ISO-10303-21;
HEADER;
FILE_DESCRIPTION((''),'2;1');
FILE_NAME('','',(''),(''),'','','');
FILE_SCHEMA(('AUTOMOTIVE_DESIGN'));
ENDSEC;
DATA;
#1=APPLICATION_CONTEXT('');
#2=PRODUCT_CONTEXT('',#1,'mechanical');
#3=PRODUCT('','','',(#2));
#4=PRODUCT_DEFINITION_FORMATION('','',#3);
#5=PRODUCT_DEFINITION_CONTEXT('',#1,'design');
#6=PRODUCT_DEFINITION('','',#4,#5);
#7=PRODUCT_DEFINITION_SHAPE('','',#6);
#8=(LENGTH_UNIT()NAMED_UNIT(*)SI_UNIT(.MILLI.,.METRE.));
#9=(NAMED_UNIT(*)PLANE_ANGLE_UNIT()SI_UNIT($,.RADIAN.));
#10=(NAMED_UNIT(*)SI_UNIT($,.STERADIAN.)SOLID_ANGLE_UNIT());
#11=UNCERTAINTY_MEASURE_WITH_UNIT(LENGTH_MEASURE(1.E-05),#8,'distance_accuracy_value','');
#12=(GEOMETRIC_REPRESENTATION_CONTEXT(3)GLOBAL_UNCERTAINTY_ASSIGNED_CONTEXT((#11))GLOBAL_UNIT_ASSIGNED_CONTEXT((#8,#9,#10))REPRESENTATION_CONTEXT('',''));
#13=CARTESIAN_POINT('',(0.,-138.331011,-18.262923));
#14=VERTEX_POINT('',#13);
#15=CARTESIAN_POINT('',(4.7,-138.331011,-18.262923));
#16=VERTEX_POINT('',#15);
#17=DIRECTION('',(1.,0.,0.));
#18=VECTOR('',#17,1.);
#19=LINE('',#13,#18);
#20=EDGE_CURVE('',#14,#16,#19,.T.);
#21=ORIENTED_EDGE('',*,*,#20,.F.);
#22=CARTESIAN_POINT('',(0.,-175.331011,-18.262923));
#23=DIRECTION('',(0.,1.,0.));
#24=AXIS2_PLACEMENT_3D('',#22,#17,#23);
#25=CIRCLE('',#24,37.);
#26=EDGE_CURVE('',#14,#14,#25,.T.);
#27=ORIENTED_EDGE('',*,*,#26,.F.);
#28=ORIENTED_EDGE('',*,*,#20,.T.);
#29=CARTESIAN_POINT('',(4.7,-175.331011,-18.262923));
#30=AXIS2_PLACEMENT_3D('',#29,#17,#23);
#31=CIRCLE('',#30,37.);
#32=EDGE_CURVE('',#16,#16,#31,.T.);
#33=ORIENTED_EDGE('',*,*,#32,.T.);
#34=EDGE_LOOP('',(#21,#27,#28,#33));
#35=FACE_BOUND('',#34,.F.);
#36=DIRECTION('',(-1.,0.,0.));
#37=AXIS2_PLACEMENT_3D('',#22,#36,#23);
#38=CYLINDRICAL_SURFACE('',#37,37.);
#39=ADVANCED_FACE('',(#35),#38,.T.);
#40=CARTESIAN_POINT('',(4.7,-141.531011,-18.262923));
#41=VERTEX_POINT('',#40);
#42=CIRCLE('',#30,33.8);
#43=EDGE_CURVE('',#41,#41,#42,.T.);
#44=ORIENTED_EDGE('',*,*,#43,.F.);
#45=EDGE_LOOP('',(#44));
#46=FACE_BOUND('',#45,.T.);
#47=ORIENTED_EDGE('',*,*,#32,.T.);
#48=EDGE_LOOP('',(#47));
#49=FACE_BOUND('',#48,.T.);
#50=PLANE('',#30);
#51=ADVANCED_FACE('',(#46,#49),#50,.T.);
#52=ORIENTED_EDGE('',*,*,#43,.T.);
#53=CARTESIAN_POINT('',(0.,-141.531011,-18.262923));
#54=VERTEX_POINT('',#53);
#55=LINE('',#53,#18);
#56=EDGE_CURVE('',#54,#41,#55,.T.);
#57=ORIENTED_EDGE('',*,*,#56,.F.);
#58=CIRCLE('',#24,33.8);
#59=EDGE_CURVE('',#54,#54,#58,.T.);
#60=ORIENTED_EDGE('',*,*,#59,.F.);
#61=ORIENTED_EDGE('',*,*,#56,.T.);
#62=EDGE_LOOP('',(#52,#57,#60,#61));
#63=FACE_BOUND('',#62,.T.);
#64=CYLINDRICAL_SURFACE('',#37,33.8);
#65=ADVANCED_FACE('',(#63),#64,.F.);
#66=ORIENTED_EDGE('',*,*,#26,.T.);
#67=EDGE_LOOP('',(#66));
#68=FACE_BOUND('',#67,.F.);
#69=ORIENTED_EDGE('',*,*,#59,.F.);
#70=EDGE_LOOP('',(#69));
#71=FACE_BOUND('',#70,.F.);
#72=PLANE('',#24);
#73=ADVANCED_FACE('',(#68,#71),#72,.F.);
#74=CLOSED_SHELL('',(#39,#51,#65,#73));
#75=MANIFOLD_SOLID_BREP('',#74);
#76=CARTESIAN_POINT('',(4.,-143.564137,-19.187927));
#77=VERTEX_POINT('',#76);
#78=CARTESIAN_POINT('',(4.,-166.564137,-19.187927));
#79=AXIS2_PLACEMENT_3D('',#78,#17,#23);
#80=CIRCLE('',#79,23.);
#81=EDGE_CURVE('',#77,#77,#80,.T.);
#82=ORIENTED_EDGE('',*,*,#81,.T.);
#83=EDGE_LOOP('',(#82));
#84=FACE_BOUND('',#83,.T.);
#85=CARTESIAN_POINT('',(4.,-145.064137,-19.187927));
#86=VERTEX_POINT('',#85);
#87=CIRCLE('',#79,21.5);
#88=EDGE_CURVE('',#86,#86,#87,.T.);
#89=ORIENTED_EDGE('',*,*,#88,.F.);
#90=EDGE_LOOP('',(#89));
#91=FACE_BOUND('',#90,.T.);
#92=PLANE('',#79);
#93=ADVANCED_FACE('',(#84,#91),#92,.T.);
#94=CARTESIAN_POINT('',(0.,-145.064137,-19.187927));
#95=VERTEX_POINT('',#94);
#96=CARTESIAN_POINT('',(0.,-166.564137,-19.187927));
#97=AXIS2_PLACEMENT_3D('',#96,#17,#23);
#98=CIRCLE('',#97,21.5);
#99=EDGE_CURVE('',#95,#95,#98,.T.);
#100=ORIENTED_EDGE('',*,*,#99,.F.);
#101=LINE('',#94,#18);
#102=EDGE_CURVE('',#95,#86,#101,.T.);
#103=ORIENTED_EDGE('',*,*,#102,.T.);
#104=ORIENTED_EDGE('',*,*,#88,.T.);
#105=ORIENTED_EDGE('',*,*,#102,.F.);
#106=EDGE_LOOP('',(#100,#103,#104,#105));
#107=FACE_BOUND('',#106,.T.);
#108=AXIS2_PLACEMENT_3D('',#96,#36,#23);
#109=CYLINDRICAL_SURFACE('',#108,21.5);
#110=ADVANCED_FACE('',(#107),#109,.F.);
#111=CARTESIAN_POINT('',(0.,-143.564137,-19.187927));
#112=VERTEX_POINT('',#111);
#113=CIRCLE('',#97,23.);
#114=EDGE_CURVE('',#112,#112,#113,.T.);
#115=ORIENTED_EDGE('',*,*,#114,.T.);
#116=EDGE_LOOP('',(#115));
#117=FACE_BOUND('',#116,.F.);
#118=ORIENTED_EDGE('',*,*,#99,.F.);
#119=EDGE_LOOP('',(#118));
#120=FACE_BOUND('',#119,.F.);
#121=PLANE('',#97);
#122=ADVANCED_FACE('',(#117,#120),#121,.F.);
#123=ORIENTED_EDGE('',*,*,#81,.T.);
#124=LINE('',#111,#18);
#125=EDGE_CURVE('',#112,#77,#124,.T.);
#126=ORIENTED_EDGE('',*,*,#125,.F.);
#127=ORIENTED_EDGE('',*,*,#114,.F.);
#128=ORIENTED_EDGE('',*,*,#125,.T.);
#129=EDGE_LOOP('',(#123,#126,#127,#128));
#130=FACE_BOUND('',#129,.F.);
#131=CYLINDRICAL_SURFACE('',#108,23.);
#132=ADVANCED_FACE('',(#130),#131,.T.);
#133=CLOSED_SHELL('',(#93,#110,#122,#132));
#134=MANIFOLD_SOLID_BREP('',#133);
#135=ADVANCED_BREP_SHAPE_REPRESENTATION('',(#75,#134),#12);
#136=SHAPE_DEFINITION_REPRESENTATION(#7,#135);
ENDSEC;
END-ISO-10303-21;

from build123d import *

# Parameters (mm, degrees)
F0_R     = 23
F0_R_2   = 21.5
F1_DEPTH = 4
F2_R     = 37
F2_R_2   = 33.8
F3_DEPTH = 4.7


with BuildPart() as f1:
    # F0 (on Right) → F1 (new body)
    with BuildSketch(Plane.YZ):
        with Locations((-166.564137, -19.187927)):
            Circle(F0_R)
        with Locations((-166.564137, -19.187927)):
            Circle(F0_R_2, mode=Mode.SUBTRACT)
    extrude(amount=F1_DEPTH)


with BuildPart() as f3:
    # F2 (on Right) → F3 (new body)
    with BuildSketch(Plane.YZ):
        with Locations((-175.331011, -18.262923)):
            Circle(F2_R)
        with Locations((-175.331011, -18.262923)):
            Circle(F2_R_2, mode=Mode.SUBTRACT)
    extrude(amount=F3_DEPTH)


solid = Compound([f1.part, f3.part])
